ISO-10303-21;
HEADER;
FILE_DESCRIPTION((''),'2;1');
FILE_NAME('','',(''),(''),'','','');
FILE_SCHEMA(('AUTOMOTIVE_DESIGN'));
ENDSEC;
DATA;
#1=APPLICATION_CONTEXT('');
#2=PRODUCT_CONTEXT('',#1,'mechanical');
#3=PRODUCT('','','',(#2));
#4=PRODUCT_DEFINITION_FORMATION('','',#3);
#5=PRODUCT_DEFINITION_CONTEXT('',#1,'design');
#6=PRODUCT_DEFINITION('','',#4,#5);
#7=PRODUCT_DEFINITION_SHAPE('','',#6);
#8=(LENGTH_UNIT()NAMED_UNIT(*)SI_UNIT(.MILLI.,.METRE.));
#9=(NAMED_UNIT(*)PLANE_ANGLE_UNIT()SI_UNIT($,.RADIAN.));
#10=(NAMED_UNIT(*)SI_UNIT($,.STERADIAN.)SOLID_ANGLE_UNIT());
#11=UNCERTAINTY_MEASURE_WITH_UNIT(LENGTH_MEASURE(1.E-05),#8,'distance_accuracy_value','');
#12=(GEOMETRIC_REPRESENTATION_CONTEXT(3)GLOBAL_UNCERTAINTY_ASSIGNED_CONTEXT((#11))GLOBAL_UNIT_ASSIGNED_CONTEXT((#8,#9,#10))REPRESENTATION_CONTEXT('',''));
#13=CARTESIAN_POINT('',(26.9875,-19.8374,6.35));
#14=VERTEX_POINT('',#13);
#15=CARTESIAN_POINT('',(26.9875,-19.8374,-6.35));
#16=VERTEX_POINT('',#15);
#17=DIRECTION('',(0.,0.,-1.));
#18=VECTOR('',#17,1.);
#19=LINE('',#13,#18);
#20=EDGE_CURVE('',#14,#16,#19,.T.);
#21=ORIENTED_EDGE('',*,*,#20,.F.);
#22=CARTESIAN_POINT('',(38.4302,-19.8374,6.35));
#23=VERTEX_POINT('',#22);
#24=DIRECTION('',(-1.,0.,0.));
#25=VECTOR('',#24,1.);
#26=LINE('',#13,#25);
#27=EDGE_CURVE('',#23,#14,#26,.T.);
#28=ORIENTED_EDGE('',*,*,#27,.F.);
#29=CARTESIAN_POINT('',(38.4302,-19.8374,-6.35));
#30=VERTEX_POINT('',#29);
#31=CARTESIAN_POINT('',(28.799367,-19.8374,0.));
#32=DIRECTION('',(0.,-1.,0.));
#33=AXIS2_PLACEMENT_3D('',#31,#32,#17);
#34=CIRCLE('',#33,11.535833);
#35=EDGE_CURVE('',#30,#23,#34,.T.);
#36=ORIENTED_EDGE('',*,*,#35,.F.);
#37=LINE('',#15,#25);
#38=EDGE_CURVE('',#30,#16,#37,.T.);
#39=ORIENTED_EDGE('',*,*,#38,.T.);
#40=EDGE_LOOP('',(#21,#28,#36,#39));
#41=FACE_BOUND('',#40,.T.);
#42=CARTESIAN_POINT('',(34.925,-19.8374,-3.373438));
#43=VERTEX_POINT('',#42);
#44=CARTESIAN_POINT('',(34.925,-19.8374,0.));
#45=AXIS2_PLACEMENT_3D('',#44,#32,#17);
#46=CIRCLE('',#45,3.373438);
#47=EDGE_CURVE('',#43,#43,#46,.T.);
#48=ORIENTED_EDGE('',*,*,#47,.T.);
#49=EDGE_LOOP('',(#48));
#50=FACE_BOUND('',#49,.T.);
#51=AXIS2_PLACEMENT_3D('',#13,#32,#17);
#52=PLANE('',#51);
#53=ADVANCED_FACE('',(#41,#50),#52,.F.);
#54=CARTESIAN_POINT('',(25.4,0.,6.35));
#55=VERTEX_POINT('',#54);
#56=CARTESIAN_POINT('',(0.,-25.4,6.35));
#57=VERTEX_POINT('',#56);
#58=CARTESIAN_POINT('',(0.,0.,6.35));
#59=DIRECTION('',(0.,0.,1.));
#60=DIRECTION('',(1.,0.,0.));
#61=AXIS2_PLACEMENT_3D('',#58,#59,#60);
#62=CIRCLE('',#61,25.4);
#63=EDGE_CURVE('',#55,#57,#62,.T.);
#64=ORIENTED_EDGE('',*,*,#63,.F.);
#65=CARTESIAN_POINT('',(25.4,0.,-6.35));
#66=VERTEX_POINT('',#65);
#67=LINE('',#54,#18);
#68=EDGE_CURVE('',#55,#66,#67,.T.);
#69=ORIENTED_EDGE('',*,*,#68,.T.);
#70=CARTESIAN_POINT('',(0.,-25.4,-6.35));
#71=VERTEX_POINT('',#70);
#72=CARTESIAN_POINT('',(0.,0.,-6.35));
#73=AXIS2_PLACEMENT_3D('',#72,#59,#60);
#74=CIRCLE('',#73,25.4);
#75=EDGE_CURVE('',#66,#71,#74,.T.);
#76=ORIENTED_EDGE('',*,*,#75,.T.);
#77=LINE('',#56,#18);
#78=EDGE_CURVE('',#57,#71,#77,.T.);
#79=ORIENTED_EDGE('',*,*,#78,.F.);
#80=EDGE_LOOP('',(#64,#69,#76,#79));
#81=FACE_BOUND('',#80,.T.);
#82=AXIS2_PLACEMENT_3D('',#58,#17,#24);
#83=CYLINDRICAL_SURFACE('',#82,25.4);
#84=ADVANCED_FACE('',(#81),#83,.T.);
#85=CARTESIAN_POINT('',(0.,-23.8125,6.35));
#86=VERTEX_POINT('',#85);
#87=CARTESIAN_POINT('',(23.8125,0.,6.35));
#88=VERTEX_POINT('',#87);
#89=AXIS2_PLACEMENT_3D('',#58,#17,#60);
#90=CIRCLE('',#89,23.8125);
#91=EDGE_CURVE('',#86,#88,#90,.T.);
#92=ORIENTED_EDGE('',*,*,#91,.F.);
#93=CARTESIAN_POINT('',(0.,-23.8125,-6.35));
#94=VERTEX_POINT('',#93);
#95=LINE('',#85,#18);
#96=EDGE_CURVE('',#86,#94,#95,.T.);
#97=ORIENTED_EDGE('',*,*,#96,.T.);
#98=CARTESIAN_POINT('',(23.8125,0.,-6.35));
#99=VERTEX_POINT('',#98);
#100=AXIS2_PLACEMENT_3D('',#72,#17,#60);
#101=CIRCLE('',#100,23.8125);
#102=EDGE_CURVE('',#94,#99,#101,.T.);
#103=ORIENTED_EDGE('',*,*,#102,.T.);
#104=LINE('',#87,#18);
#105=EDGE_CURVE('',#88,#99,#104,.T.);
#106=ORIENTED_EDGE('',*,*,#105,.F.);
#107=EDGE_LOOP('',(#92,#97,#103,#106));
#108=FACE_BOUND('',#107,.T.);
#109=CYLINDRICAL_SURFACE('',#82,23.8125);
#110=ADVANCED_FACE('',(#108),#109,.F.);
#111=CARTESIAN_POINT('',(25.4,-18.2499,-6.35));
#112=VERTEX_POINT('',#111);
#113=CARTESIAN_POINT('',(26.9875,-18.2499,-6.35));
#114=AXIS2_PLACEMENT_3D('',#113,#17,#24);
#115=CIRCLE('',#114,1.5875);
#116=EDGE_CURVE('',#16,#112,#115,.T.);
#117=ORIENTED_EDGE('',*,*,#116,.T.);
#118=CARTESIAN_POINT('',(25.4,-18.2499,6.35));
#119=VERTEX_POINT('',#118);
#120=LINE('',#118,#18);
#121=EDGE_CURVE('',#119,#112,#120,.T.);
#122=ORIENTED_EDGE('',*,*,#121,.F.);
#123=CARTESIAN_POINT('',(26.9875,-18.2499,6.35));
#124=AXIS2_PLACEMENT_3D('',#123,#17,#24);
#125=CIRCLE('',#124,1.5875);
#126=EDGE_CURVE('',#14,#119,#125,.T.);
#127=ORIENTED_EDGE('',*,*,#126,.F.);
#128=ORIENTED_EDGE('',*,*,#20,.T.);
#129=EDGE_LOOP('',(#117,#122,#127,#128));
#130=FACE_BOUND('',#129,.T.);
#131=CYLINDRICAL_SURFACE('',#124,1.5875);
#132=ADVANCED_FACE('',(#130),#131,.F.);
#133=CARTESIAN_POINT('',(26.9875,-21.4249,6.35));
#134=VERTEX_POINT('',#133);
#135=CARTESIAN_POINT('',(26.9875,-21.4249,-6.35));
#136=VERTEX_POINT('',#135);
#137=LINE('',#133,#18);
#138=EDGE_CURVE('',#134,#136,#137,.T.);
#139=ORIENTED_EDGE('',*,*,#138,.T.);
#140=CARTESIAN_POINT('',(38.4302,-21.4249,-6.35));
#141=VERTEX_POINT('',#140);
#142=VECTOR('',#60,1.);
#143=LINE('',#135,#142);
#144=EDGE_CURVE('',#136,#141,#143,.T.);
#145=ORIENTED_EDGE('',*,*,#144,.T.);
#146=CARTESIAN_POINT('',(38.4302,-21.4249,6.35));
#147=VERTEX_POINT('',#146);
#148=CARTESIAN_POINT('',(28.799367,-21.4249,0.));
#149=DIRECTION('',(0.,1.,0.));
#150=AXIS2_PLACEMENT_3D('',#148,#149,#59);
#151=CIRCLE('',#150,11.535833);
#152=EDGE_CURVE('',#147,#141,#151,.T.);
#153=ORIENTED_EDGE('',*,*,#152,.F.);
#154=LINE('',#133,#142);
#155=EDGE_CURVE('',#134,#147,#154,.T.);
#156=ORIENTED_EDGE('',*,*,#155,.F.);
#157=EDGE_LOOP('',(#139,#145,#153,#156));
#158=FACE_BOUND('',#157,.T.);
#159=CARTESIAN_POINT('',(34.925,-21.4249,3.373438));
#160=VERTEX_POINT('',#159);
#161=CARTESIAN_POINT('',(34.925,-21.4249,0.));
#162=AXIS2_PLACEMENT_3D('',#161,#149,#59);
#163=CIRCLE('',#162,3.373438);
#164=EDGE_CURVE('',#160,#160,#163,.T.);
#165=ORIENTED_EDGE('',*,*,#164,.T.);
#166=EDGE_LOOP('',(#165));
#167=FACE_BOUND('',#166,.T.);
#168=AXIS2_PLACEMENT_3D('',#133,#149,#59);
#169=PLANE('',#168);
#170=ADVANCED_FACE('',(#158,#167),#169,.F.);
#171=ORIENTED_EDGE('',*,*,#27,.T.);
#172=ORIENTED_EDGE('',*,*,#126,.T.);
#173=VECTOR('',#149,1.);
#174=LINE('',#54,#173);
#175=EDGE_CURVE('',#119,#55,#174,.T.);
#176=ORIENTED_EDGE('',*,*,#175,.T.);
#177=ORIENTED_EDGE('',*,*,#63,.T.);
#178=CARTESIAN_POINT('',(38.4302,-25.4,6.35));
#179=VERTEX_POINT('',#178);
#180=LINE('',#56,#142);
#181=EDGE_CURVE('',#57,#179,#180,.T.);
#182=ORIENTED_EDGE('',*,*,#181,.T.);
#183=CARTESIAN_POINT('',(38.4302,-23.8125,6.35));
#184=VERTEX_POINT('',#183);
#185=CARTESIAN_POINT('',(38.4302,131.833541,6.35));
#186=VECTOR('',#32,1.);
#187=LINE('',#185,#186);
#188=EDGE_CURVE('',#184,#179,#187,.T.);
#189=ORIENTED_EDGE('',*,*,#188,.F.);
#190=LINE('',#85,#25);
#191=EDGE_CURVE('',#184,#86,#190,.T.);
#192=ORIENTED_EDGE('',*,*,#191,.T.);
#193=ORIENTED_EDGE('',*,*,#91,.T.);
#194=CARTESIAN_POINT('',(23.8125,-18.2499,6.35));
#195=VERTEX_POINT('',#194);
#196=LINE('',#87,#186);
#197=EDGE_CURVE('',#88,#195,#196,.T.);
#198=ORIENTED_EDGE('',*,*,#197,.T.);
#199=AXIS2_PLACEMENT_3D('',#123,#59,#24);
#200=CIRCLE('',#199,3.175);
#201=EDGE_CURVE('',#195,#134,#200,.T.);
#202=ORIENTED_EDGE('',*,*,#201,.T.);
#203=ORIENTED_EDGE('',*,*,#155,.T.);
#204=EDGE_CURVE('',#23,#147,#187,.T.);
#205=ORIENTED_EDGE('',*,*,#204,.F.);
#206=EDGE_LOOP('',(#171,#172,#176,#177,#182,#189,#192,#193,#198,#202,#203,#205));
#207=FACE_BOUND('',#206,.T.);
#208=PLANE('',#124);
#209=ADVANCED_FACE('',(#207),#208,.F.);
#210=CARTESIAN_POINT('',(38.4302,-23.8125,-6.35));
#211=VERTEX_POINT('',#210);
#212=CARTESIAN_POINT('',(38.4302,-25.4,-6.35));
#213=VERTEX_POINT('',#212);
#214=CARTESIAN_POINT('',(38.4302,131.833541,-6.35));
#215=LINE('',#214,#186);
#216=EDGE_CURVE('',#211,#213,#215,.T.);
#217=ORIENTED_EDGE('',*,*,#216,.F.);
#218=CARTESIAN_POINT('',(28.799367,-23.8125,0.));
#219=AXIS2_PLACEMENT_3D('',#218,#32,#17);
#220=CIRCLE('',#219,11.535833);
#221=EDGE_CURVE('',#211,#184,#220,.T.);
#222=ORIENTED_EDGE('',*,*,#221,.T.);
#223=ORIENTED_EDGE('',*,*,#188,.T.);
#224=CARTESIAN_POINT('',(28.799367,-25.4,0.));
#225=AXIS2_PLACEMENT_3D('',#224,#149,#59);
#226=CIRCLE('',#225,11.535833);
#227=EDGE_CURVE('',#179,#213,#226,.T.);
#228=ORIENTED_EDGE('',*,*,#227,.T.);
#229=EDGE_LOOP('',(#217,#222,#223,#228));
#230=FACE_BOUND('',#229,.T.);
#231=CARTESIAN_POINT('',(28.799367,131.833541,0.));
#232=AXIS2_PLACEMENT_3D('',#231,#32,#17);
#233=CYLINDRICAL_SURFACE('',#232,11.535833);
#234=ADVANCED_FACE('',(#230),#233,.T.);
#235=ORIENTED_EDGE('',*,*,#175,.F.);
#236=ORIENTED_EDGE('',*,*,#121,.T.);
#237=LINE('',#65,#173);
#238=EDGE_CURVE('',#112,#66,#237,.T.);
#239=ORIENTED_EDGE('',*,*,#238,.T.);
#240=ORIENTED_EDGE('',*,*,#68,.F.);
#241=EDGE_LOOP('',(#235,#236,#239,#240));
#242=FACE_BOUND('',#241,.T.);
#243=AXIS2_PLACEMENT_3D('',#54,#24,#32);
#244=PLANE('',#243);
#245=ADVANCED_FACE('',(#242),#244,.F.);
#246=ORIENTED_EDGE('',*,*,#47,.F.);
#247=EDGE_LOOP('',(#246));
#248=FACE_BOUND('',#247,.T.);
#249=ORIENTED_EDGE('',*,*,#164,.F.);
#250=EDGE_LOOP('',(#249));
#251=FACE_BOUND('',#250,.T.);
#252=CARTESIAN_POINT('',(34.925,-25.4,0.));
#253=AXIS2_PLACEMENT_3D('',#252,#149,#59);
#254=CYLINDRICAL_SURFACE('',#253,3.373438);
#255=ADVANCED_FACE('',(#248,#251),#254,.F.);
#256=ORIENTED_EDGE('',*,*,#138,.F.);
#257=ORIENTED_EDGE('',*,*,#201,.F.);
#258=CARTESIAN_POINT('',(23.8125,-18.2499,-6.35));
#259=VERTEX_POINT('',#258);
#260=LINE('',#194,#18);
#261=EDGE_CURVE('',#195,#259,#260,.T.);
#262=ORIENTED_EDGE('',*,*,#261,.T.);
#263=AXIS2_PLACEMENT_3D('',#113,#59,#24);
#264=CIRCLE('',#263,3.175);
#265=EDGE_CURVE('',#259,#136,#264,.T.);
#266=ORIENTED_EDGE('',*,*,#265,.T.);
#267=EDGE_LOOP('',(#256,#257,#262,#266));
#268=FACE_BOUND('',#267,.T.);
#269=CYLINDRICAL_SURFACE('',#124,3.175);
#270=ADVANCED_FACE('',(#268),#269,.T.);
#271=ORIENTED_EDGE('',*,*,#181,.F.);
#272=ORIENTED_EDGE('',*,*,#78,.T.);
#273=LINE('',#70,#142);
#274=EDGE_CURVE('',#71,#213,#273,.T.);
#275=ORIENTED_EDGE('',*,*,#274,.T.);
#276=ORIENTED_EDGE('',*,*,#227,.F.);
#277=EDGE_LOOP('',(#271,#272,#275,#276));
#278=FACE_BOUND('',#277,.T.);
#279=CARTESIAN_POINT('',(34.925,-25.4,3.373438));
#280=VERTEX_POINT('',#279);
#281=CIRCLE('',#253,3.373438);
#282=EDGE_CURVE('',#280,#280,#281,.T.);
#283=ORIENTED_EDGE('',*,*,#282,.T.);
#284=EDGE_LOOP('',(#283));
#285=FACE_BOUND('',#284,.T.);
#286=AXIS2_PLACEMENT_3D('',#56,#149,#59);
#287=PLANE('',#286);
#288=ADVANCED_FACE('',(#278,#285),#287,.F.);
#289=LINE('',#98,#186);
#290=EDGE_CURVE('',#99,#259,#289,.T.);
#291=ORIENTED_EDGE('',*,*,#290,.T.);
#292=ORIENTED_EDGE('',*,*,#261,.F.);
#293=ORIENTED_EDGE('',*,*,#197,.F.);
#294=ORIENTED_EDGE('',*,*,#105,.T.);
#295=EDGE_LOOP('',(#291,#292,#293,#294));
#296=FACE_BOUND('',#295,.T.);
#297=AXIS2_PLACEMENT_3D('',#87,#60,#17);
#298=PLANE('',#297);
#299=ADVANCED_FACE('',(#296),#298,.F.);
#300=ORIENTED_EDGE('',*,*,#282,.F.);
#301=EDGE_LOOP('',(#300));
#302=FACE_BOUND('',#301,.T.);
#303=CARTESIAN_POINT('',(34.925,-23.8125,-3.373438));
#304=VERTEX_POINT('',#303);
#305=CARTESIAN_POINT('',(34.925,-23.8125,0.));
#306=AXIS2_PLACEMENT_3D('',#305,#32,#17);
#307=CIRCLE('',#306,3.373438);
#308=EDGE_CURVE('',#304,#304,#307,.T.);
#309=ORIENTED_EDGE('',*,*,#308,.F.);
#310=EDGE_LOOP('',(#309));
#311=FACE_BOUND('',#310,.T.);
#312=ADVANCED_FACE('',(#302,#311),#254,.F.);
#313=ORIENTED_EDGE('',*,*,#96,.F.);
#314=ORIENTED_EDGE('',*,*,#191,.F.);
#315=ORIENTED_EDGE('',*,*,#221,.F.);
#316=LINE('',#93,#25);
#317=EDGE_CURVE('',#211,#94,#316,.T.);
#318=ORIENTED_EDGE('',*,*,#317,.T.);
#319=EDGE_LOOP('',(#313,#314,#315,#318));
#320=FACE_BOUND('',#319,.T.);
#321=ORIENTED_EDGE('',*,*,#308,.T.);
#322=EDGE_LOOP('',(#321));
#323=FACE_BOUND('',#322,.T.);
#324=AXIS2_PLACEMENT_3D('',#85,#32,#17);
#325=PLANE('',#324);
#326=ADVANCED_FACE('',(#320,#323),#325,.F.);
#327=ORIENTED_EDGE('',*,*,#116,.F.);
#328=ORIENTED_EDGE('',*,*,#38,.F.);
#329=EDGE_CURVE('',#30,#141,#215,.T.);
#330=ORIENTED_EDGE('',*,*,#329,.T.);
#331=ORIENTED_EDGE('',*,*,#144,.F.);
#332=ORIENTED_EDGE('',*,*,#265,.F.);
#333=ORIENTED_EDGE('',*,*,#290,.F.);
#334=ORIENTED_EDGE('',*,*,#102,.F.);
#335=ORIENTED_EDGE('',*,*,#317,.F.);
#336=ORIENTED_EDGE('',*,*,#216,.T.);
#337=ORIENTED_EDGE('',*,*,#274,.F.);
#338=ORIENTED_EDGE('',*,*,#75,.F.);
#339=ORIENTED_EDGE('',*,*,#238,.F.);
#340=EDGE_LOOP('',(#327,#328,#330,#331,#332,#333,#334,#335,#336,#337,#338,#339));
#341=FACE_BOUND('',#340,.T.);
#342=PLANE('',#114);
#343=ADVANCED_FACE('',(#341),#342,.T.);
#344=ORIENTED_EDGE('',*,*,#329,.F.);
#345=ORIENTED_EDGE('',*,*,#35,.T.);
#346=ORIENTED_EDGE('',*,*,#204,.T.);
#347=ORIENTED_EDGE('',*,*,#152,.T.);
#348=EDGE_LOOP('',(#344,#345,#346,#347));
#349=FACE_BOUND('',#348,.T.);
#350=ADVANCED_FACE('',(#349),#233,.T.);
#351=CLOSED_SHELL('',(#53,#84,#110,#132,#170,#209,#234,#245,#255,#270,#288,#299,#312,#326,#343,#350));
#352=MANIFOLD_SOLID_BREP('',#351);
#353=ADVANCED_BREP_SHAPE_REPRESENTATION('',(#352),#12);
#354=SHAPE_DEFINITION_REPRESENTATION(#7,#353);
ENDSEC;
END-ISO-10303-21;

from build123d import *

# Parameters (mm, degrees)
BOSS_EXTRUDE1_DEPTH     = 6.35
SKETCH2_R               = 3.3734375
CUT_EXTRUDE1_DEPTH      = 49.087533302
CUT_EXTRUDE3_DEPTH      = 49.087533302
CUT_EXTRUDE3_DEPTH_BACK = 49.087533302


with BuildPart() as part:
    # Sketch1 → Boss-Extrude1 (new, symmetric)
    with BuildSketch(Plane.XY):
        with BuildLine():
            Line((0, -23.8125), (40.3352, -23.8125))
            Line((40.3352, -23.8125), (40.3352, -25.4))
            Line((40.3352, -25.4), (0, -25.4))
            ThreePointArc((0, -25.4), (-17.960512242, 17.960512242), (25.4, 0))
            Line((25.4, 0), (25.4, -18.2499))
            ThreePointArc((25.4, -18.2499), (25.864967985, -19.372432015), (26.9875, -19.8374))
            Line((26.9875, -19.8374), (40.3352, -19.8374))
            Line((40.3352, -19.8374), (40.3352, -21.4249))
            Line((40.3352, -21.4249), (26.9875, -21.4249))
            ThreePointArc((26.9875, -21.4249), (24.74243597, -20.49496403), (23.8125, -18.2499))
            Line((23.8125, -18.2499), (23.8125, 0))
            ThreePointArc((23.8125, 0), (-16.837980227, 16.837980227), (0, -23.8125))
        make_face()
    extrude(amount=BOSS_EXTRUDE1_DEPTH, both=True)

    # Sketch2 → Cut-Extrude1 (cut, through all)
    with BuildSketch(Plane(origin=(0, 0, 0), x_dir=(1, 0, 0), z_dir=(0, 1, 0))):
        with Locations((34.925, 0)):
            Circle(SKETCH2_R)
    extrude(amount=-CUT_EXTRUDE1_DEPTH, mode=Mode.SUBTRACT)

    # Sketch4 → Cut-Extrude3 (cut, two sides: drawn at the far end of the back side and taken through both)
    with BuildSketch(Plane(origin=(0, 0, 0), x_dir=(1, 0, 0), z_dir=(0, 1, 0)).offset(-CUT_EXTRUDE3_DEPTH_BACK)):
        with BuildLine():
            Line((-38.72359939, 123.366595742), (38.4302, 6.35))
            ThreePointArc((38.4302, 6.35), (40.3352, 0), (38.4302, -6.35))
            Line((38.4302, -6.35), (-38.72359939, -123.366595742))
            Line((-38.72359939, -123.366595742), (241.601871727, -123.366595742))
            Line((241.601871727, -123.366595742), (241.601871727, 123.366595742))
            Line((241.601871727, 123.366595742), (-38.72359939, 123.366595742))
        make_face()
    extrude(amount=CUT_EXTRUDE3_DEPTH + CUT_EXTRUDE3_DEPTH_BACK, mode=Mode.SUBTRACT)


solid = part.part
